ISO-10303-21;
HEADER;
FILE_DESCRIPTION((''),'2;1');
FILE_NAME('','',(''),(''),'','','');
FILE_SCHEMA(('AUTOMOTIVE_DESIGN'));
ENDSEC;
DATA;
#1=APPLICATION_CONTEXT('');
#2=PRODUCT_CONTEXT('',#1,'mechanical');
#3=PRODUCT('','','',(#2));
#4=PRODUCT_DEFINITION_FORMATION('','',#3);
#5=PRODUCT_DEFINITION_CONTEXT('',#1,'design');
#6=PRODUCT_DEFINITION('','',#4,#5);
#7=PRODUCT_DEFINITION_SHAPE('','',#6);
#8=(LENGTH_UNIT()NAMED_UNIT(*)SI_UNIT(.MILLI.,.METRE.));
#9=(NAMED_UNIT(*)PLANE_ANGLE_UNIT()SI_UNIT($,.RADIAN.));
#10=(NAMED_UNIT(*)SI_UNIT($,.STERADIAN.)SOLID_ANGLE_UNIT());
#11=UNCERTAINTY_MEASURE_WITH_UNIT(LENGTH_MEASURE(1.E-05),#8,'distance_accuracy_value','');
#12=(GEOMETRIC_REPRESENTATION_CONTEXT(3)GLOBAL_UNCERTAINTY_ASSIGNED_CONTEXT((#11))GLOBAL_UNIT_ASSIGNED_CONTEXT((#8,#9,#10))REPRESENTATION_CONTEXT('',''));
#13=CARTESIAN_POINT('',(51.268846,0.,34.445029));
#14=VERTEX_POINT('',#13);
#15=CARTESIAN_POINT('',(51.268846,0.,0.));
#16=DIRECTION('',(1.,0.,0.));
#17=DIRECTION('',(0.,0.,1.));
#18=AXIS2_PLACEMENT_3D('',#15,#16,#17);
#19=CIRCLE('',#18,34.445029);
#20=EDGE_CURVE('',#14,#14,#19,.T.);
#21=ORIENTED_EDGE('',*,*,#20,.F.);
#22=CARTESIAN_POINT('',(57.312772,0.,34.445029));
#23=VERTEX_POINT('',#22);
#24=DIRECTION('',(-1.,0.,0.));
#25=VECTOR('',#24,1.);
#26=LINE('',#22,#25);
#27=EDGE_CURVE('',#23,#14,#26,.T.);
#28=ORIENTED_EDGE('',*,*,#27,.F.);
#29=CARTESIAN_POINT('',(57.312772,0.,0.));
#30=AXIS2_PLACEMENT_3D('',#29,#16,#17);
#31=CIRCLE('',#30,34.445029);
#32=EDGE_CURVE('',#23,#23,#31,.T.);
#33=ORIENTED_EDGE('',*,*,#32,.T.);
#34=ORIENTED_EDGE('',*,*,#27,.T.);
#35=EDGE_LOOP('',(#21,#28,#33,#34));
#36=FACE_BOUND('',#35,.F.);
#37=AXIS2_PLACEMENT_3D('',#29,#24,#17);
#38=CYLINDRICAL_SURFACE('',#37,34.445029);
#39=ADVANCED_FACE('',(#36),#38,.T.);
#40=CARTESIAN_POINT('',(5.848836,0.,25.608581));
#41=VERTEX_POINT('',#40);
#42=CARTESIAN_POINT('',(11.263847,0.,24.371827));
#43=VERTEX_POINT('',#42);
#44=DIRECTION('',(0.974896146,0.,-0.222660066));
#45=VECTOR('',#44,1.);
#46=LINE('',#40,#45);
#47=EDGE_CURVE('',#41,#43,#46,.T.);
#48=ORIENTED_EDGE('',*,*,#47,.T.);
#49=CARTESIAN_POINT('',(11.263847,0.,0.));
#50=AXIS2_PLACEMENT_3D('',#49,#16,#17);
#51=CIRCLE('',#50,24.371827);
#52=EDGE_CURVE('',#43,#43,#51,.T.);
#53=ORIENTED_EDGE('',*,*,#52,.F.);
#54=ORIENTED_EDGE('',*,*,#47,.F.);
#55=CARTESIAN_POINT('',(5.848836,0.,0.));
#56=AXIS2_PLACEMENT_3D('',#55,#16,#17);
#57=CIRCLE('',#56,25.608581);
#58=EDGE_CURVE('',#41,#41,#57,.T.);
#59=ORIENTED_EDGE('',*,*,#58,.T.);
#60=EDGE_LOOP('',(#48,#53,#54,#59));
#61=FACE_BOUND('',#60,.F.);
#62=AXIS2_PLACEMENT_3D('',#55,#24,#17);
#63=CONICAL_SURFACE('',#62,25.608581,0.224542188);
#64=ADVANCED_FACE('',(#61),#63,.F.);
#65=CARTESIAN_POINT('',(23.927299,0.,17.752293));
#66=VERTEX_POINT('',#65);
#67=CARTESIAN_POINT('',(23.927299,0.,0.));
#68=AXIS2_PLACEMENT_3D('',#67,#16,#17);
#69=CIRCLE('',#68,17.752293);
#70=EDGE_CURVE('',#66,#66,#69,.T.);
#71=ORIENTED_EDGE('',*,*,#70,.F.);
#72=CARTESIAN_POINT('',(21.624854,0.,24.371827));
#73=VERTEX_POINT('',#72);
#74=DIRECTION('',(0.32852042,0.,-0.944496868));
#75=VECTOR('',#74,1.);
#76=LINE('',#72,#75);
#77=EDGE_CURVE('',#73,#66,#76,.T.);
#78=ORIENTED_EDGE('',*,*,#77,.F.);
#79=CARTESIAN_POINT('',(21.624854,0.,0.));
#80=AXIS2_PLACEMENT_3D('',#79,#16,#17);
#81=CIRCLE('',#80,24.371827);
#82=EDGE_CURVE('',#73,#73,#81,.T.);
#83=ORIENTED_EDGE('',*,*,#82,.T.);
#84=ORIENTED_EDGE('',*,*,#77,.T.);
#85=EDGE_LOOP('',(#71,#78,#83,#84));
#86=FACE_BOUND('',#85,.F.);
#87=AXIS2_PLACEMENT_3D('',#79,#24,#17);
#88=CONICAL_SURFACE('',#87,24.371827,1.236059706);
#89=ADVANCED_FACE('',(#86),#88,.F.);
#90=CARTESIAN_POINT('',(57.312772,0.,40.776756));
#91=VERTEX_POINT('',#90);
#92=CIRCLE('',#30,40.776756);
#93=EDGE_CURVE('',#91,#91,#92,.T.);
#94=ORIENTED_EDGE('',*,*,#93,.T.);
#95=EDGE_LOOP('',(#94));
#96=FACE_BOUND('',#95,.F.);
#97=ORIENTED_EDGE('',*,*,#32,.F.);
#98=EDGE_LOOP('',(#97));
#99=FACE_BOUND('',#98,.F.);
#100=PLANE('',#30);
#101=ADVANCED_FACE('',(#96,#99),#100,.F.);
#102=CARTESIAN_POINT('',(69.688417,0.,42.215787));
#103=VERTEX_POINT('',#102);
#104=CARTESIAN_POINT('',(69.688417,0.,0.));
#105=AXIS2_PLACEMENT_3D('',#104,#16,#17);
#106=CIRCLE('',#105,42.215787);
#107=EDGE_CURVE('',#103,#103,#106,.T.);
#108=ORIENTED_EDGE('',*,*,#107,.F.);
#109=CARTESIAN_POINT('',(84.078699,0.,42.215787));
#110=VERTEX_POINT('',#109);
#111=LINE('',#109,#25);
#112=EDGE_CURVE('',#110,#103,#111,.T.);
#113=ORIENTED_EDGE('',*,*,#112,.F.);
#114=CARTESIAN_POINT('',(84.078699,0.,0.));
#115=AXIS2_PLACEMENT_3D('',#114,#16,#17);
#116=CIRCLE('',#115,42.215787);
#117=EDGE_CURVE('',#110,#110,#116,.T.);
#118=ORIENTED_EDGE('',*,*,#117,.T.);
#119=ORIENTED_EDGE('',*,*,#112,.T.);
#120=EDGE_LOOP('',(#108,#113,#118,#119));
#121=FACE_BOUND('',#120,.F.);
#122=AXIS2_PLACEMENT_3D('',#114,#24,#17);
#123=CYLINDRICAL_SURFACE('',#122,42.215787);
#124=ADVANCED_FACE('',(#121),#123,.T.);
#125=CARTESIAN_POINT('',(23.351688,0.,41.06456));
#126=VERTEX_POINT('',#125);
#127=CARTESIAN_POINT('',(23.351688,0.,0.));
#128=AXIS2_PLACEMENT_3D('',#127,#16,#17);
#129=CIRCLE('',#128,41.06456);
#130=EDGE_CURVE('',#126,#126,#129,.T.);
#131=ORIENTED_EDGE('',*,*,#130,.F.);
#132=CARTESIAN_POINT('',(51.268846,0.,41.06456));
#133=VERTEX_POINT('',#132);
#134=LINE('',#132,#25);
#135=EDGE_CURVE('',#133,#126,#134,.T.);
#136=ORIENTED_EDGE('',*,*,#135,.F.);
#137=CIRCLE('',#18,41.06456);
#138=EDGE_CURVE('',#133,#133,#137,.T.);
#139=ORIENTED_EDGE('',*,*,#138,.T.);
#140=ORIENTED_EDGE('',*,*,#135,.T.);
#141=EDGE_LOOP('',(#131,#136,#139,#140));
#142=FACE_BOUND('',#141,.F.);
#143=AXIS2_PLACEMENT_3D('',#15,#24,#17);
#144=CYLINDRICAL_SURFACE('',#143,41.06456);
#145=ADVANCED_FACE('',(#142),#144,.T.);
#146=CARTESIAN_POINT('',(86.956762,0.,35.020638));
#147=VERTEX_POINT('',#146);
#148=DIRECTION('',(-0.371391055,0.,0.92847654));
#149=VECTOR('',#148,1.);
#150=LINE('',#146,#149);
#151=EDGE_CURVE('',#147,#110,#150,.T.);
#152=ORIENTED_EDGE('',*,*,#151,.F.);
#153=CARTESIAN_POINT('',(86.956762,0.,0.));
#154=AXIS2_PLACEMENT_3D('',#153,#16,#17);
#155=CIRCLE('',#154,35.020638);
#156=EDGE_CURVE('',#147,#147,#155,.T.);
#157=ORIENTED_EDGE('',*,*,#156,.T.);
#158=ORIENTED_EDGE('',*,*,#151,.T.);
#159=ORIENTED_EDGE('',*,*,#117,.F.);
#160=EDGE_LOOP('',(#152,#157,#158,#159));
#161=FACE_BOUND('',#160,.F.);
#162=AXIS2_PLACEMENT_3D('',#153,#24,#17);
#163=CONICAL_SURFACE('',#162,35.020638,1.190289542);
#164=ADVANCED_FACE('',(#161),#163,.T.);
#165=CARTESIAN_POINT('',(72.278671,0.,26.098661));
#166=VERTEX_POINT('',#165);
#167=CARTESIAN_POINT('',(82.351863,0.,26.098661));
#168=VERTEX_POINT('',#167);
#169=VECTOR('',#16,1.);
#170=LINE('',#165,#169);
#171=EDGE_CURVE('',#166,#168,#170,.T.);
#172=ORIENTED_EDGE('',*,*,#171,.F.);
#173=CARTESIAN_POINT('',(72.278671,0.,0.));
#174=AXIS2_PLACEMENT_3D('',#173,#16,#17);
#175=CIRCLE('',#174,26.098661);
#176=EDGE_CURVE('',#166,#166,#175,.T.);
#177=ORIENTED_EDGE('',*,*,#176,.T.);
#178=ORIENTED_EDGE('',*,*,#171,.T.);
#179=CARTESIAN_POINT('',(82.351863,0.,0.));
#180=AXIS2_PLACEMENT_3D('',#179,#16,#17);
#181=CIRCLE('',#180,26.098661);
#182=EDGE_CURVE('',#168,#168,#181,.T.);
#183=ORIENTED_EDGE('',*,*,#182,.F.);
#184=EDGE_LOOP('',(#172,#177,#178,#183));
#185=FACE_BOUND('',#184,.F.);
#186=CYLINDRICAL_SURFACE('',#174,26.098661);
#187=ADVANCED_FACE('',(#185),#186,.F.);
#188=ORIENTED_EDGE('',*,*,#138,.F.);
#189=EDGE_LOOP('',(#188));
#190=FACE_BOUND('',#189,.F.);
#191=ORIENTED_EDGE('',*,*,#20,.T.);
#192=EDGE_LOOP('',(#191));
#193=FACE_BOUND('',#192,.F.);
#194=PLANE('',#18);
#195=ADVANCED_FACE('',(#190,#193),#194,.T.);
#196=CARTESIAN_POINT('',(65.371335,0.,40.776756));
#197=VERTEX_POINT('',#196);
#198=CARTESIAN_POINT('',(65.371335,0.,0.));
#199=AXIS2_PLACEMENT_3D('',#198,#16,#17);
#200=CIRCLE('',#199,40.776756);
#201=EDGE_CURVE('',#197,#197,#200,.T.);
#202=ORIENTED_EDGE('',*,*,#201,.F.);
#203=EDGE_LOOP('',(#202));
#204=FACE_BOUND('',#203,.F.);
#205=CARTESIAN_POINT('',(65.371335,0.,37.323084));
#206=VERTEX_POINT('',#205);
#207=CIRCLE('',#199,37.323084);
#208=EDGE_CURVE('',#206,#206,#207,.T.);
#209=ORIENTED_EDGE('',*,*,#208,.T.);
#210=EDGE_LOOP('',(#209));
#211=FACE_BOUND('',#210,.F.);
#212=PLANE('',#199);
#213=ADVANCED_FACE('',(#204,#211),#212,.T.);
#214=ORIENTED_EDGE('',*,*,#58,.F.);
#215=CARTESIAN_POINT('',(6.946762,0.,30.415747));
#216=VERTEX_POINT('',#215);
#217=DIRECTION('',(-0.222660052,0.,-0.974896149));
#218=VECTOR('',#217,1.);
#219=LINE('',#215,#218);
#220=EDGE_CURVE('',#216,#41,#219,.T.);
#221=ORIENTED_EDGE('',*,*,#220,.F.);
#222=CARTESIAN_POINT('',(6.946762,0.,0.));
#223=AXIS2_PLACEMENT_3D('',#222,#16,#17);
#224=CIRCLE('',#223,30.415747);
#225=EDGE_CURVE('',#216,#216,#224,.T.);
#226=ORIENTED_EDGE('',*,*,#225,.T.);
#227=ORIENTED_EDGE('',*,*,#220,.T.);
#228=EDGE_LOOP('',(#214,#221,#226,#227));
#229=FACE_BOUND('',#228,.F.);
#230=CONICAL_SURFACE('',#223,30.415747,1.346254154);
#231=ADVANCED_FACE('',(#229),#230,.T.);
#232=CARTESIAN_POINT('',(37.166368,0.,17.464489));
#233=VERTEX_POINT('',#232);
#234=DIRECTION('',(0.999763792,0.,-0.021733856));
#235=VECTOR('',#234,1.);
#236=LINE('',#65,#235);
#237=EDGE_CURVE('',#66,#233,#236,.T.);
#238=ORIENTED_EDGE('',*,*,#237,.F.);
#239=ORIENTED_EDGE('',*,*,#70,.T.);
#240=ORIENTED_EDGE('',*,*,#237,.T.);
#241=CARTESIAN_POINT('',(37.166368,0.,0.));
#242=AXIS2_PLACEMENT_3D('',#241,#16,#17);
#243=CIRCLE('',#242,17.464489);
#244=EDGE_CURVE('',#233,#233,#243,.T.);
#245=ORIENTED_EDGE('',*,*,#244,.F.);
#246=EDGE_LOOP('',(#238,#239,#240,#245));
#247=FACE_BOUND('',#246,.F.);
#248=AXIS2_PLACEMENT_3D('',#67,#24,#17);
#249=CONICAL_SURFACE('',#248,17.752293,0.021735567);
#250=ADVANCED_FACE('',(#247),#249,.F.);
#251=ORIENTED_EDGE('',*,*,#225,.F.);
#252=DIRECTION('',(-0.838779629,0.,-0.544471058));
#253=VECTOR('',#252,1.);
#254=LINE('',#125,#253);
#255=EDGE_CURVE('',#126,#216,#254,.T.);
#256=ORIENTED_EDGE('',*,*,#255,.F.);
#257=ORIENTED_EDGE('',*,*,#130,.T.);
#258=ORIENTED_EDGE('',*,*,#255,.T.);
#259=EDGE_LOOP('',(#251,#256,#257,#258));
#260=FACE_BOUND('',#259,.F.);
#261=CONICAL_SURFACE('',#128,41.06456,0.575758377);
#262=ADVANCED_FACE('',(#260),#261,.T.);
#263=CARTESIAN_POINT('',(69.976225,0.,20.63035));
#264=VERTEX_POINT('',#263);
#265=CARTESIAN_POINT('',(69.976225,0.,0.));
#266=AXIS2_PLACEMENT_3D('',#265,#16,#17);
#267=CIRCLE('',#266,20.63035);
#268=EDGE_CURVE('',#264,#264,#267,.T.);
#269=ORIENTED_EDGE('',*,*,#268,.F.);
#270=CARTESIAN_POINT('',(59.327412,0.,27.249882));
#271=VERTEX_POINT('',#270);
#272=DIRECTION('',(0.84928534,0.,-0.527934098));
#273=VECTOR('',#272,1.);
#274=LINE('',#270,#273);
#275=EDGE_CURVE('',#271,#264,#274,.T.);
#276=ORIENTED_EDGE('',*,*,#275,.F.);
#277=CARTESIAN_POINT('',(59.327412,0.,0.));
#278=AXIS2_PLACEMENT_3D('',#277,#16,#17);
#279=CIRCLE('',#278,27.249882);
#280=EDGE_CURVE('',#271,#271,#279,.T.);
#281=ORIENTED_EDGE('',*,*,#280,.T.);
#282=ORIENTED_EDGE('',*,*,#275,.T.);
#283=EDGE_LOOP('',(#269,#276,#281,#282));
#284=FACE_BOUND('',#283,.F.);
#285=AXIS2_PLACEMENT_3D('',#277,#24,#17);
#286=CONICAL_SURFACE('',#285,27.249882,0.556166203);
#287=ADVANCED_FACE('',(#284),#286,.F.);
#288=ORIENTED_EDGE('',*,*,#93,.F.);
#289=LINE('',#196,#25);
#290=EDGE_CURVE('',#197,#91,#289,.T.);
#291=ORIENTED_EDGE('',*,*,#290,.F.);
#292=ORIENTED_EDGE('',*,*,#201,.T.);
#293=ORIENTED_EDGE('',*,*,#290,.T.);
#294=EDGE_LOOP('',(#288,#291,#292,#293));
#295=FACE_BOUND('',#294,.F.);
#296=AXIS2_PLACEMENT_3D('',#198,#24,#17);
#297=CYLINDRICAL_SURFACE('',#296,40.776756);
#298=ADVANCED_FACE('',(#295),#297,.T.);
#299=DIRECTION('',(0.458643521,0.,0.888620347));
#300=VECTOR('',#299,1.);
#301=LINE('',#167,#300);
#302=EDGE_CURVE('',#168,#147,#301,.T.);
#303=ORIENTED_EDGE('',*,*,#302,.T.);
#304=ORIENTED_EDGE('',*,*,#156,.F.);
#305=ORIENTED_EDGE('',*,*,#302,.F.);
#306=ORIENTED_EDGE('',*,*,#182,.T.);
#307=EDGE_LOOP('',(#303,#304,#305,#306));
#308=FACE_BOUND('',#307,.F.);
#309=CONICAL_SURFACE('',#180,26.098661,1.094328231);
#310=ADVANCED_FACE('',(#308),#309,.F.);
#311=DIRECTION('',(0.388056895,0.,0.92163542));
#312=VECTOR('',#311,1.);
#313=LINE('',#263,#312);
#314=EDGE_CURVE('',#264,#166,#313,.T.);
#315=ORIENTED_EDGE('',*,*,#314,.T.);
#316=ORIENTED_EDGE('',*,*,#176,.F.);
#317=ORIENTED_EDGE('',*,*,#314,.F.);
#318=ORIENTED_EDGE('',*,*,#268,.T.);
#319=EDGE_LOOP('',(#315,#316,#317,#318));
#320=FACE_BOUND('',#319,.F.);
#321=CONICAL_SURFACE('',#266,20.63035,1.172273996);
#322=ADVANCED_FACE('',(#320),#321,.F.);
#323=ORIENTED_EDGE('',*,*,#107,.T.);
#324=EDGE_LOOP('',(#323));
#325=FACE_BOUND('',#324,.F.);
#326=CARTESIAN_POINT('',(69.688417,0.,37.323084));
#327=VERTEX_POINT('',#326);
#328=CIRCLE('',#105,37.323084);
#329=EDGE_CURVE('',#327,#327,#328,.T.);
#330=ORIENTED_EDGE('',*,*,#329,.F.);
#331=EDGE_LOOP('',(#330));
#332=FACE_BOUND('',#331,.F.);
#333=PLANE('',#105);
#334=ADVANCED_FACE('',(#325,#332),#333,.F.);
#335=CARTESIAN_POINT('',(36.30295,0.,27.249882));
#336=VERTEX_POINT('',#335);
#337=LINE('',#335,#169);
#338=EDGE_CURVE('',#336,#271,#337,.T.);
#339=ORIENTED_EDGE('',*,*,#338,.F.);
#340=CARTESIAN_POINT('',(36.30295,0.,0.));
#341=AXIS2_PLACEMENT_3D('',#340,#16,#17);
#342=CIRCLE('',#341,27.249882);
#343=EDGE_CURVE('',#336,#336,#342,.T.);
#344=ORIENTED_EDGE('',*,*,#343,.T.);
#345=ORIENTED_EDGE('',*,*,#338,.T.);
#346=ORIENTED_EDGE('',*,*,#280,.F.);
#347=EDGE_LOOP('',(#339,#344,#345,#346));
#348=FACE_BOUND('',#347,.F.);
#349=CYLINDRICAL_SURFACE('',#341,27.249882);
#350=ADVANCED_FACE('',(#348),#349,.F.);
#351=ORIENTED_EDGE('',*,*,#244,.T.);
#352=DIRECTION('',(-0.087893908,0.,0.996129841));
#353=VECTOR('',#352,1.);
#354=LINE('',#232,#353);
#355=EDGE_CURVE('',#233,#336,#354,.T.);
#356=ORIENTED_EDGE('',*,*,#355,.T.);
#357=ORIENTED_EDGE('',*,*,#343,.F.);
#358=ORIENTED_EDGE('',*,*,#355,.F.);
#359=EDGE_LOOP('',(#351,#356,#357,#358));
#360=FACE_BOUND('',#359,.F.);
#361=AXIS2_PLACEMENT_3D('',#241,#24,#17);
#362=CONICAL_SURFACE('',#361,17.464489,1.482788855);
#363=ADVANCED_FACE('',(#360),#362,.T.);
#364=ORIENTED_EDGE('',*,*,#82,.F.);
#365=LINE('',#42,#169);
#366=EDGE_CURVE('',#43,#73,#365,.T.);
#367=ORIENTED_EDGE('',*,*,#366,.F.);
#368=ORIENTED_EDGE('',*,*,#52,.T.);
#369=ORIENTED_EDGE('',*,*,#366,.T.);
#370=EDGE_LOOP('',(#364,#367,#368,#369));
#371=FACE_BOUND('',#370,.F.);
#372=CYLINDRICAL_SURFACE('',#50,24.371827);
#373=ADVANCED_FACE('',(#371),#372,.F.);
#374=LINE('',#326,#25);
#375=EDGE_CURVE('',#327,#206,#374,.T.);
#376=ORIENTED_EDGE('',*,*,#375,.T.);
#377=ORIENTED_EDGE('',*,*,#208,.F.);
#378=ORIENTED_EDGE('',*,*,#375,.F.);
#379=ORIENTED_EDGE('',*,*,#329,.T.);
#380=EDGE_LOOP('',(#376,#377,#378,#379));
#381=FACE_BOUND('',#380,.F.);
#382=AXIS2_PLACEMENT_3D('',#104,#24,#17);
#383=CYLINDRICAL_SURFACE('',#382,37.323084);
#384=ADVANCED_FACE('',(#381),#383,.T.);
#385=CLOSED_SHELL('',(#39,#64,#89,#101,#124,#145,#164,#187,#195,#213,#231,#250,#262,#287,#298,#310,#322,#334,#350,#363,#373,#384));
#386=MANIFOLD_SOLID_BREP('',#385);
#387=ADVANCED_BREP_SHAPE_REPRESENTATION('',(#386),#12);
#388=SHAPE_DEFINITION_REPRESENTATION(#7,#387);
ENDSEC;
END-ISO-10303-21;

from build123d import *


with BuildPart() as f1:
    # F0 (on Front) → F1 (revolve)
    with BuildSketch(Plane.XZ):
        Polygon((6.946762, 30.415747), (5.848836, 25.608581), (11.263847, 24.371827), (21.624854, 24.371827), (23.927299, 17.752293), (37.166368, 17.464489), (36.30295, 27.249882), (59.327412, 27.249882), (69.976225, 20.63035), (72.278671, 26.098661), (82.351863, 26.098661), (86.956762, 35.020638), (84.078699, 42.215787), (75.444527, 42.215787), (69.688417, 42.215787), (69.688417, 37.323084), (65.371335, 37.323084), (65.371335, 40.776756), (57.312772, 40.776756), (57.312772, 34.445029), (51.268846, 34.445029), (51.268846, 41.06456), (23.351688, 41.06456), align=None)
    revolve(axis=Axis((38.350116, 0, 0), (1, 0, 0)))


solid = f1.part
